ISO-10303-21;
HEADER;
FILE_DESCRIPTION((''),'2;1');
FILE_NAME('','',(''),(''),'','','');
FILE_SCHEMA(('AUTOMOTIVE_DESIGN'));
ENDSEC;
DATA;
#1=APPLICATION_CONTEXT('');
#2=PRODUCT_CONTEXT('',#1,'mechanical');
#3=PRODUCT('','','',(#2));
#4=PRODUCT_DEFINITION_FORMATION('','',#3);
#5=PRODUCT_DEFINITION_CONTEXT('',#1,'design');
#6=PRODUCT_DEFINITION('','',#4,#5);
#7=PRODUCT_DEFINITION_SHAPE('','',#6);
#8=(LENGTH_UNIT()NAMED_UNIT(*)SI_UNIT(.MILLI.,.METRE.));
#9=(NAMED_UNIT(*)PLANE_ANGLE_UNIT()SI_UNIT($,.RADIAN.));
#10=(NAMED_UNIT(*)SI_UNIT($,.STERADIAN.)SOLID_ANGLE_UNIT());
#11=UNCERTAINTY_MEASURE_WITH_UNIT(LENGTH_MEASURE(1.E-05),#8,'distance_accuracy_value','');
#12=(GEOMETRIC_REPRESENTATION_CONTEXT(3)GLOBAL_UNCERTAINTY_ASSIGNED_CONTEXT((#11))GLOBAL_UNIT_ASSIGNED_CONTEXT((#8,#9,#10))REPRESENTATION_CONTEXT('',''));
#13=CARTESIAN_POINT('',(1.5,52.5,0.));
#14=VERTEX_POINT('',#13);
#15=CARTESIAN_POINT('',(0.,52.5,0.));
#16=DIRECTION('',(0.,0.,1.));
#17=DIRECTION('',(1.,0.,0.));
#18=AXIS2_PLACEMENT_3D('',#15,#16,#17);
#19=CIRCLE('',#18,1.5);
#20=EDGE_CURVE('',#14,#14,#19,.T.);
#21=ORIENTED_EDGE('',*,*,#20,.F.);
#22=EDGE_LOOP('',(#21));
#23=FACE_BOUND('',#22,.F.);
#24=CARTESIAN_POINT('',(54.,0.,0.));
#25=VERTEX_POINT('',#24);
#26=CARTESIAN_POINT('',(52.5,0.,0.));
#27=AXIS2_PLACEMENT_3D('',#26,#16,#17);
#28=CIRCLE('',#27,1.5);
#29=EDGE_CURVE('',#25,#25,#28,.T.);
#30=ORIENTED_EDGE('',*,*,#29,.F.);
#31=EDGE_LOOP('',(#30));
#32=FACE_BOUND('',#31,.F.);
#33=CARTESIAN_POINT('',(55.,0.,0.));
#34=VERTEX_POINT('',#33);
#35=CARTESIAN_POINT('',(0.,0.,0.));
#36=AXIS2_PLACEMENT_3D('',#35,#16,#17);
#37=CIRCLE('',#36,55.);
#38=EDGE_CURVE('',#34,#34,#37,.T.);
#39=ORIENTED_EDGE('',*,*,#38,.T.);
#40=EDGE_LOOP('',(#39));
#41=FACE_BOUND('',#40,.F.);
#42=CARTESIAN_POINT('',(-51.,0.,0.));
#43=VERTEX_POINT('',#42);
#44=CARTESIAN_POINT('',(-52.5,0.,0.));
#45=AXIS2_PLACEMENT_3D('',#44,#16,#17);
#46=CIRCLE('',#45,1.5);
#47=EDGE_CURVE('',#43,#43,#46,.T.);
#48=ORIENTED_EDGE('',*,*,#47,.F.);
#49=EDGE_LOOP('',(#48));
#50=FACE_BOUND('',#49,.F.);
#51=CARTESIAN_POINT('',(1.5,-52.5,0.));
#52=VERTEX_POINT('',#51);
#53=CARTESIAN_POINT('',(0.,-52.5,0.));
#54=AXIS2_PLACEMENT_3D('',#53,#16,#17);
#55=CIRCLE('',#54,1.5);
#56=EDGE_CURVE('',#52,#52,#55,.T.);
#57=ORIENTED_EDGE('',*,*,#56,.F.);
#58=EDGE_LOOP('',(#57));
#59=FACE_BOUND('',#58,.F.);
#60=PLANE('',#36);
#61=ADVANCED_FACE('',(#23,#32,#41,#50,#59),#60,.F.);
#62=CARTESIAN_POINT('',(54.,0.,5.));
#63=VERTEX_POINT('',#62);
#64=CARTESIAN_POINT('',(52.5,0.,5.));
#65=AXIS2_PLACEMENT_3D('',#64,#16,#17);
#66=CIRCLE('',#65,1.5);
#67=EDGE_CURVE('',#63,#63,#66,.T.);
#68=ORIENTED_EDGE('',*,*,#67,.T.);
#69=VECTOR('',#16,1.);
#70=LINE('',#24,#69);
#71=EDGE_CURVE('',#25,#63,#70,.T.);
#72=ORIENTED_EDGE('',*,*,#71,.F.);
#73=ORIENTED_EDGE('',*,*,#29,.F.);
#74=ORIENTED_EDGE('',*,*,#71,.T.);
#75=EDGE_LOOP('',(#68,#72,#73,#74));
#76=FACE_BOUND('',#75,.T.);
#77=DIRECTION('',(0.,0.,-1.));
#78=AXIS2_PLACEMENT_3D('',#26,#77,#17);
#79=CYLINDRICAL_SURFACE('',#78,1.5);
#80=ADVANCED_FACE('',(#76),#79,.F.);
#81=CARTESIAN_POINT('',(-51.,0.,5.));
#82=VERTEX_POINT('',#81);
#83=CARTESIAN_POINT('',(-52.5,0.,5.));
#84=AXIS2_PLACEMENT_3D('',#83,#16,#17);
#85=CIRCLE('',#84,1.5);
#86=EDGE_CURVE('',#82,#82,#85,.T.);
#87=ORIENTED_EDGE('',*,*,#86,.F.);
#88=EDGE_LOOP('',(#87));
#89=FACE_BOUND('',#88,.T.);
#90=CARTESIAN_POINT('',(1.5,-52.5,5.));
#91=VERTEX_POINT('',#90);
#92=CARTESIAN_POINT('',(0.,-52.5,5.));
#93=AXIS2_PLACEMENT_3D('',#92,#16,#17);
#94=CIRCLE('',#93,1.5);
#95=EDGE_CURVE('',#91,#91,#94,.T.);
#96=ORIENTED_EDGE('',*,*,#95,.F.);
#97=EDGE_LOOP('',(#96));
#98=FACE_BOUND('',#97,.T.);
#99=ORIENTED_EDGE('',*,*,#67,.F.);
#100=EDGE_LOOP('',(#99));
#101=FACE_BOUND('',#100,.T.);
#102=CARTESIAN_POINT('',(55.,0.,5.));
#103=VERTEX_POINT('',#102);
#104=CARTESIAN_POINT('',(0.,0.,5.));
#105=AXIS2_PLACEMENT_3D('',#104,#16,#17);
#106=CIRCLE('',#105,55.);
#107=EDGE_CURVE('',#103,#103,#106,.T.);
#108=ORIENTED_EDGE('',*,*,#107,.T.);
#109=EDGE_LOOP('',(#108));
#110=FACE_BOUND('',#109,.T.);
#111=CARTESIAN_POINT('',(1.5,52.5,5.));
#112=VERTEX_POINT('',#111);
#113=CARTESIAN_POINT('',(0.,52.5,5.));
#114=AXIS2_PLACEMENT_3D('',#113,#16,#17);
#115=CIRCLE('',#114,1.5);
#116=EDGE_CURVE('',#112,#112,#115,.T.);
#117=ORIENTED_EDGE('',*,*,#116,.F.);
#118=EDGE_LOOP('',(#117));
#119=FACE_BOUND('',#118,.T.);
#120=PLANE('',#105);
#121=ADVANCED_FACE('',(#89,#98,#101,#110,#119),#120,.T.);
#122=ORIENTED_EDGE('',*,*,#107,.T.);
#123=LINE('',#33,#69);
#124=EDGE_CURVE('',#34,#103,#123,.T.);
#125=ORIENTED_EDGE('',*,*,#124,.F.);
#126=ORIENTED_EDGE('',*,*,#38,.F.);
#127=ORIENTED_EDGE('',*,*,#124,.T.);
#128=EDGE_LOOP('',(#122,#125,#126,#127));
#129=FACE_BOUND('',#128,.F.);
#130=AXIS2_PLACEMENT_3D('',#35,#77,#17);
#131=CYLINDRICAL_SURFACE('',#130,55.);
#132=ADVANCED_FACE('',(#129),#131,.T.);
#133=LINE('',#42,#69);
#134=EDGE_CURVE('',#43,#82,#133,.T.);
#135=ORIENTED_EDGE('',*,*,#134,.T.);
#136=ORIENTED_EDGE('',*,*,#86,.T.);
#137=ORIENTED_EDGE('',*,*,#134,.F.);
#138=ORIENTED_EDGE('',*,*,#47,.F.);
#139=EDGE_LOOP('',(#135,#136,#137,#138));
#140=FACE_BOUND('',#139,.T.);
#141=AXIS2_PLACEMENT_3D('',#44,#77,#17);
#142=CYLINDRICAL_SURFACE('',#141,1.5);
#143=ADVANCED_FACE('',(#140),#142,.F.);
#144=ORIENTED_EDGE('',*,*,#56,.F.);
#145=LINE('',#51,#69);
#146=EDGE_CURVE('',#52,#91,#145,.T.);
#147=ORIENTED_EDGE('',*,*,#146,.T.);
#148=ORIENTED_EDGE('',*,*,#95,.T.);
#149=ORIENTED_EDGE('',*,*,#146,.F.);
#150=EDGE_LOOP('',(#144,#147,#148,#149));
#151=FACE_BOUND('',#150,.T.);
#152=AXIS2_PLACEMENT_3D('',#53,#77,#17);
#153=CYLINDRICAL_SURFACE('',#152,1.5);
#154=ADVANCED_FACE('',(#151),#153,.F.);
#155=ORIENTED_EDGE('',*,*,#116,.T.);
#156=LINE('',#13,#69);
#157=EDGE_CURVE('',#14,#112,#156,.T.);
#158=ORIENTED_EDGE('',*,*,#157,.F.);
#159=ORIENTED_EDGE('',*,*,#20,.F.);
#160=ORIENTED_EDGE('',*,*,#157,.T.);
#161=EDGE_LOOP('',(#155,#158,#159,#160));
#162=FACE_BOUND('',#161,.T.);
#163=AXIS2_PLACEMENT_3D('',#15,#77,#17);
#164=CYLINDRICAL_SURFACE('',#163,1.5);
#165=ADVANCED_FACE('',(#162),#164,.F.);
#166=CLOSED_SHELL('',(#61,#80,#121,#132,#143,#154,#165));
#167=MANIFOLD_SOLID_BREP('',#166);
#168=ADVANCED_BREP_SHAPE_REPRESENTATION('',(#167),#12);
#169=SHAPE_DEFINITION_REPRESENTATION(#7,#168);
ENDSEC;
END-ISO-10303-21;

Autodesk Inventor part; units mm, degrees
ref_plane "YZ Plane" through (0, 0, 0) normal (1, 0, 0) x (0, 1, 0)
ref_plane "XZ Plane" through (0, 0, 0) normal (0, 1, 0) x (-1, 0, 0)
ref_plane "XY Plane" through (0, 0, 0) normal (0, 0, 1) x (1, 0, 0)
sketch "Sketch1" plane through (0, 0, 0) normal (0, 0, 1) x (1, 0, 0)
  circle A0 centre (0, 0) radius 55
  circle A1 centre (0, 0) radius 50
  circle A2 centre (0, 52.5) radius 1.5
  circle A3 centre (-52.5, 0) radius 1.5
  circle A4 centre (0, -52.5) radius 1.5
  circle A5 centre (52.5, 0) radius 1.5
  dimension "d0" = 110
  dimension "d1" = 100
  dimension "d2" = 3
  dimension "d3" = 0
  dimension "d5" = 52.5
  dimension "d8" = 360
extrude "Extrusion1" add sketch "Sketch1" along normal blind 5 contours A0 | A1
equation "\"d0\" = Diameter"
equation "\"d5\" = 0.25 * d0 + 0.25 * d1"
equation "\"Diameter\" = 110"
properties part number "Cover"
